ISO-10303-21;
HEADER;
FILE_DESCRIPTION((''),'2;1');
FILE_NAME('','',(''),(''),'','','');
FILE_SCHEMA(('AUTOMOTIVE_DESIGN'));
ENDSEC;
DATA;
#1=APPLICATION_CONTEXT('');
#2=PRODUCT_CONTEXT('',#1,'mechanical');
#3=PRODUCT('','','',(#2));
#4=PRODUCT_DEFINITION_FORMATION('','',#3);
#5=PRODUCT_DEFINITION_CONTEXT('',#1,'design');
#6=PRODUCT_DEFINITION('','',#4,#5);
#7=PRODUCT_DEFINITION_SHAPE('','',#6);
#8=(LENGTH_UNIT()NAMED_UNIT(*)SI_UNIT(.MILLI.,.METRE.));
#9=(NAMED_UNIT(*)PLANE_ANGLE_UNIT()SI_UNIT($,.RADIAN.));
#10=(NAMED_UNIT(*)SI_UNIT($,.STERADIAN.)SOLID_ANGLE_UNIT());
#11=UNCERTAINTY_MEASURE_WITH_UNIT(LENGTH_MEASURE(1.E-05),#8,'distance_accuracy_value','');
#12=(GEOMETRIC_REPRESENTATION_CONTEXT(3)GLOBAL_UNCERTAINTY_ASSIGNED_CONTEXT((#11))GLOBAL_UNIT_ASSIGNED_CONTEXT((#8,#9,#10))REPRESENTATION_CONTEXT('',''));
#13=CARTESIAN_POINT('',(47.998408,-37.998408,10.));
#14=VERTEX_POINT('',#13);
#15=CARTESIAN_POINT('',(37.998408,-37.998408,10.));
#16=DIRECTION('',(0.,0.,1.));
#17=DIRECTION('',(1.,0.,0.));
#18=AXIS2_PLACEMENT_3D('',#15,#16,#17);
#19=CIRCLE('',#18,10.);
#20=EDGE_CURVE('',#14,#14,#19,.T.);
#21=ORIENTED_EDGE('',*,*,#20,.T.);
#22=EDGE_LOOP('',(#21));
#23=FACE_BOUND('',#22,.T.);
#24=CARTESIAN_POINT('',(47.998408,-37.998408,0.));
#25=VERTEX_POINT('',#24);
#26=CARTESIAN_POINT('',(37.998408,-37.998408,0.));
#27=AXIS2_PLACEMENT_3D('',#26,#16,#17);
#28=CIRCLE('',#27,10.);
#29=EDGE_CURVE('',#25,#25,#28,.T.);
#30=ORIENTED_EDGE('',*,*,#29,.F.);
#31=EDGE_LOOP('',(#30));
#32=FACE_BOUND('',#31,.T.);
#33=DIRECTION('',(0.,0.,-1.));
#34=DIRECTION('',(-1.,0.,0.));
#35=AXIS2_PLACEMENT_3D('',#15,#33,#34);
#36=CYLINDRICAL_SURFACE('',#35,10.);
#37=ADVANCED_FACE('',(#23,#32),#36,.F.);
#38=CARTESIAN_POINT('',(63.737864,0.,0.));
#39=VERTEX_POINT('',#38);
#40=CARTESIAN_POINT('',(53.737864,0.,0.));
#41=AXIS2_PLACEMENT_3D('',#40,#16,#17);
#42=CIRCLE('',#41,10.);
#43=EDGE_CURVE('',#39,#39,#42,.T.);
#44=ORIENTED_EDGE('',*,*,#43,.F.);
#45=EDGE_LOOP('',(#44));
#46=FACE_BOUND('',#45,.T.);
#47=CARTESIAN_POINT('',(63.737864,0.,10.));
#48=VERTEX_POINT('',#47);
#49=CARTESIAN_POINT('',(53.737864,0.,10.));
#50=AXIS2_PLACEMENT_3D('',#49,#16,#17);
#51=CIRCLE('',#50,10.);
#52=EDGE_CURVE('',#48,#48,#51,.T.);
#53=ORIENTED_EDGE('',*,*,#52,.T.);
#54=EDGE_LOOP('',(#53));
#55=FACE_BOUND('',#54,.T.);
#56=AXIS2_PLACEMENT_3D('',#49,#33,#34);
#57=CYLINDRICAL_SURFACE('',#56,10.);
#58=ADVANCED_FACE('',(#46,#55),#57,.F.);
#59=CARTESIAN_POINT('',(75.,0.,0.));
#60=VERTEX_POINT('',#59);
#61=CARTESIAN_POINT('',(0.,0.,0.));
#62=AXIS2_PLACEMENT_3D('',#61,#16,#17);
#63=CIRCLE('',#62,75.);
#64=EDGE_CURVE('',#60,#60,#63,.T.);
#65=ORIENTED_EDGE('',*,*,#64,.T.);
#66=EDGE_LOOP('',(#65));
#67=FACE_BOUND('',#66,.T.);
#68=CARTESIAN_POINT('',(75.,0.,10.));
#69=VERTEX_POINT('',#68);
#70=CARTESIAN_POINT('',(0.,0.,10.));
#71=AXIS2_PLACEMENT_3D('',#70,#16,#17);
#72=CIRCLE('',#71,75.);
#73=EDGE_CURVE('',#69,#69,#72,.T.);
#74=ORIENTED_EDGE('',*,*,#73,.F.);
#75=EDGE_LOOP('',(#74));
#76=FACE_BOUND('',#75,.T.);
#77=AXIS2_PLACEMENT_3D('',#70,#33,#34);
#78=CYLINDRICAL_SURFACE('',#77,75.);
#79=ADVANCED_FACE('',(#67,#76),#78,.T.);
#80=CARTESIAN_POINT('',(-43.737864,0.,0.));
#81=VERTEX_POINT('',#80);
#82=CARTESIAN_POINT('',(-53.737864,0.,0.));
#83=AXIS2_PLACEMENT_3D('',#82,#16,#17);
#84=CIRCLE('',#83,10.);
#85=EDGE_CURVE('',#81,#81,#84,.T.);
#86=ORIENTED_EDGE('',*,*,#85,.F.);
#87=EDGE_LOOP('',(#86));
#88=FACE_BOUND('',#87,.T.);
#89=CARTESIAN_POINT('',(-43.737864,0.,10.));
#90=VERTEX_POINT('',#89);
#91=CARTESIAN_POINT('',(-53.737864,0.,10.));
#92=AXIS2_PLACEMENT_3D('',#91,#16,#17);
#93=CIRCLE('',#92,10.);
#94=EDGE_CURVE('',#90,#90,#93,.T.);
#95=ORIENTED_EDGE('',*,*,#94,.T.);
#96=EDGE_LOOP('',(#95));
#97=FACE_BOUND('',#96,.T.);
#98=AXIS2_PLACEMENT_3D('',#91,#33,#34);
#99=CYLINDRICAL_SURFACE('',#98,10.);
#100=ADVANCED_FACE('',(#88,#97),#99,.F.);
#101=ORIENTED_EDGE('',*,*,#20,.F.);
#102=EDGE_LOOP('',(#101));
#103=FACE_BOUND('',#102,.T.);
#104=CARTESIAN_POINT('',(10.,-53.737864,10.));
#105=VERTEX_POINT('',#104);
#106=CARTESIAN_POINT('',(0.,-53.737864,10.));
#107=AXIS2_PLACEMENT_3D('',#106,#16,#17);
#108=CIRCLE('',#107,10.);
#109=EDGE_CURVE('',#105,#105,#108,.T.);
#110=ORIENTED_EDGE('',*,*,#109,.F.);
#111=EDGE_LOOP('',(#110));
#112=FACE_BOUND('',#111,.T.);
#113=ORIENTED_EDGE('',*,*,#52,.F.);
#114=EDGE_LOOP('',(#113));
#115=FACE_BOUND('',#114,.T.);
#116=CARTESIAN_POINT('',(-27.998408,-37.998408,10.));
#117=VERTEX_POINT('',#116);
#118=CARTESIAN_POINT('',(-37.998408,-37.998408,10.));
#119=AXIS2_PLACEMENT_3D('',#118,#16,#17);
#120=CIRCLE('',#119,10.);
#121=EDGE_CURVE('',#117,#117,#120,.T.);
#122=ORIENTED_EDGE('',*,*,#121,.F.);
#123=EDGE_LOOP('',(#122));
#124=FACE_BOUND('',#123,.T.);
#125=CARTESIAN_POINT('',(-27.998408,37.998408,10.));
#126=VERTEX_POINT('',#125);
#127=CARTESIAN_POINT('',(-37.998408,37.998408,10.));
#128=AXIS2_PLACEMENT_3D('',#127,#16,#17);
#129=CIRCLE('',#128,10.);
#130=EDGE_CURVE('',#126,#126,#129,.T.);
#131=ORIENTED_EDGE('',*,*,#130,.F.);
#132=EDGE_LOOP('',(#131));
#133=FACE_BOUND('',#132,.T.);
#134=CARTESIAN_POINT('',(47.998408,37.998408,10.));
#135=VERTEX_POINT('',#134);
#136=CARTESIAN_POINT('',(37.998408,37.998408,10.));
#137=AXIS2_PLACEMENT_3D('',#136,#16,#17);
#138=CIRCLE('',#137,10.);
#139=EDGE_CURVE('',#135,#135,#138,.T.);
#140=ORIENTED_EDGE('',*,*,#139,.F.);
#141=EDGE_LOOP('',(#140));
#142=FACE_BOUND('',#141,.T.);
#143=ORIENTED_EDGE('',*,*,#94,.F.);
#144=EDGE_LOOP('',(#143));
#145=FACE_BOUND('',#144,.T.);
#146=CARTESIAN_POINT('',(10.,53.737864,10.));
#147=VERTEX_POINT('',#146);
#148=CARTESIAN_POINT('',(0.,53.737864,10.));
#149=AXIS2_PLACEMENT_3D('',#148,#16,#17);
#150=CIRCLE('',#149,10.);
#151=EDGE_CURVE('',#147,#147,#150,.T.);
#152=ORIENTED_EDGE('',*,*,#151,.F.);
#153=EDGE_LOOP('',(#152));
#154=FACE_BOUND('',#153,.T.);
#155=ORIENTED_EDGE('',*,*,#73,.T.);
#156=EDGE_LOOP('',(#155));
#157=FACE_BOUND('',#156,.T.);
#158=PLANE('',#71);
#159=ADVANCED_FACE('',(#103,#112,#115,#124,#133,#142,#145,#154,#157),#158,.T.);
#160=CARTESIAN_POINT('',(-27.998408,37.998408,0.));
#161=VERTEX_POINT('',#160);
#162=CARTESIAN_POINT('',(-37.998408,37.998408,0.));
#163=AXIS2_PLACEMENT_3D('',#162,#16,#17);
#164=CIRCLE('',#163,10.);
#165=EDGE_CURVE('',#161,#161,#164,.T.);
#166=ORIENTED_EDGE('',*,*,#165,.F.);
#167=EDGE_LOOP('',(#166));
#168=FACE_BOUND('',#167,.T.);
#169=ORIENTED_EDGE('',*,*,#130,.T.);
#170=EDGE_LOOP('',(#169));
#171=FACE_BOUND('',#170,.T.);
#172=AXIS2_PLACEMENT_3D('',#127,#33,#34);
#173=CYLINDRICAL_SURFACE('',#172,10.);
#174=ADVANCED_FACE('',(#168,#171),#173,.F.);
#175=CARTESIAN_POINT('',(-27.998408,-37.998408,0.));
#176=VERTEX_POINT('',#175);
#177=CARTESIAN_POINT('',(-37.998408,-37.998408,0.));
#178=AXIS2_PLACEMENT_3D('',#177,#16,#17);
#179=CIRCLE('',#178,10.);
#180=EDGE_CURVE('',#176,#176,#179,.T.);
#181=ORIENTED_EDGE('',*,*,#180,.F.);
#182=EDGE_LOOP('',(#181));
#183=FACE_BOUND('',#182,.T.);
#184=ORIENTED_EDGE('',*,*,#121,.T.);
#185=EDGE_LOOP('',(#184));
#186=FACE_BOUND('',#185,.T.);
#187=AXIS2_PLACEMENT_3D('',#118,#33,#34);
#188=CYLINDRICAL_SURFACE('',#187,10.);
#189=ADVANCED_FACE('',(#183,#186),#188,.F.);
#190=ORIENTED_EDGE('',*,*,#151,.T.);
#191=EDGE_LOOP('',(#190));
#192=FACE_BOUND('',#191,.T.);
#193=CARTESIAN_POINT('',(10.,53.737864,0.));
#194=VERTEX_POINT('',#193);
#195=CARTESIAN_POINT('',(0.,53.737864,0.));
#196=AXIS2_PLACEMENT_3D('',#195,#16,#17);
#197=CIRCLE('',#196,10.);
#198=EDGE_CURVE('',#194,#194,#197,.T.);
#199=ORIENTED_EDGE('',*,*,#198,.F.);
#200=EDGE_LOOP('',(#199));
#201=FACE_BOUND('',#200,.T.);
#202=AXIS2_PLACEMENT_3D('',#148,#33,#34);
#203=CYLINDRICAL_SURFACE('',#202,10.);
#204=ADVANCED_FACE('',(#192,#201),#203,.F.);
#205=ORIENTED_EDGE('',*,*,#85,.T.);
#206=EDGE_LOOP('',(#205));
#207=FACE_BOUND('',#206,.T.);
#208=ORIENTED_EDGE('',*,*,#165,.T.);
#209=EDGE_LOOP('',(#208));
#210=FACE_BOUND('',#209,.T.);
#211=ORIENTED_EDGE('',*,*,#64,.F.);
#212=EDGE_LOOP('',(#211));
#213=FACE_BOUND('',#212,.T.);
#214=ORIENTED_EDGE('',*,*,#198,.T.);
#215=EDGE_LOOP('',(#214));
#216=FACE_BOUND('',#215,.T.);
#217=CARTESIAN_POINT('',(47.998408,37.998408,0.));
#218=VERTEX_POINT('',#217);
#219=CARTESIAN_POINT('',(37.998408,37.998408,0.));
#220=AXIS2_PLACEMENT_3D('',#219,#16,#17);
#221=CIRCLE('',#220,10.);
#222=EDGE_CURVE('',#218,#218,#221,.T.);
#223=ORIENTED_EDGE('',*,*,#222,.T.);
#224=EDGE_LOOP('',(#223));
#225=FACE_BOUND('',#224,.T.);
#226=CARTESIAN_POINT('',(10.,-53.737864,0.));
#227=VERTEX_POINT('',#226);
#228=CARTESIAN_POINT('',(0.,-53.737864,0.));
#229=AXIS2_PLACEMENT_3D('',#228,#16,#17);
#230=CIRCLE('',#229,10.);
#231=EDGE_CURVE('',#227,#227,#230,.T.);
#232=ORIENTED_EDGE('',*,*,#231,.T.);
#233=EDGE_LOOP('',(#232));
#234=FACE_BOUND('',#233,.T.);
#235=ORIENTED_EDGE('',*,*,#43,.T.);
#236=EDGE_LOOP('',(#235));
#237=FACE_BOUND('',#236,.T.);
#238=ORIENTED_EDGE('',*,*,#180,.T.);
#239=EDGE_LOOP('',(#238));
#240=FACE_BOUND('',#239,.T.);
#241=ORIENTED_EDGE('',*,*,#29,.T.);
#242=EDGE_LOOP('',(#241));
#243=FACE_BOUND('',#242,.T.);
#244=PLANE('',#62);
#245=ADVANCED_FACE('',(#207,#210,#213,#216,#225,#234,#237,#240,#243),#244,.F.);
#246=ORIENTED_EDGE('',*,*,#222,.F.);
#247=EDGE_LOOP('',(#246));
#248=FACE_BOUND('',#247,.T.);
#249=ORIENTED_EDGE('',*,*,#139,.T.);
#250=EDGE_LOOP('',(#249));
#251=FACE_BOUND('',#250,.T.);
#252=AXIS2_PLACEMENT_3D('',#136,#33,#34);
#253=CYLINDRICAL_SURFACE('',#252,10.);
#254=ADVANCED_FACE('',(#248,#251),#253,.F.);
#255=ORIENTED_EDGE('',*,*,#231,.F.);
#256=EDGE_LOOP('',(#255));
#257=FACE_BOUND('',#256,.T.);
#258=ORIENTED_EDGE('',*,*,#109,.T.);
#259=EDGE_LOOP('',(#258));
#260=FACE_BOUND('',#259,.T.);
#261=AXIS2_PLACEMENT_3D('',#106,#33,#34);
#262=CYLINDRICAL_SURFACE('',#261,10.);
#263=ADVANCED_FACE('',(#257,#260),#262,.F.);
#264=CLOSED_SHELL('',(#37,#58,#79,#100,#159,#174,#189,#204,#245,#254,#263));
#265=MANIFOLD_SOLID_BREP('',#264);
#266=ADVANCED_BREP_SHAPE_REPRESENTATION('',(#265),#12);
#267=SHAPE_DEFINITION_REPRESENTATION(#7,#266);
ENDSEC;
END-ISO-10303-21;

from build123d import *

# Parameters (mm, degrees)
SKETCH1_R           = 75
SKETCH1_R_2         = 10
BOSS_EXTRUDE1_DEPTH = 10


with BuildPart() as part:
    # Sketch1 → Boss-Extrude1 (new body)
    with BuildSketch(Plane.XY):
        Circle(SKETCH1_R)
        with Locations((0, 53.737864078)):
            Circle(SKETCH1_R_2, mode=Mode.SUBTRACT)
        with Locations((37.998408096, 37.998408096)):
            Circle(SKETCH1_R_2, mode=Mode.SUBTRACT)
        with Locations((53.737864078, 0)):
            Circle(SKETCH1_R_2, mode=Mode.SUBTRACT)
        with Locations((37.998408096, -37.998408096)):
            Circle(SKETCH1_R_2, mode=Mode.SUBTRACT)
        with Locations((0, -53.737864078)):
            Circle(SKETCH1_R_2, mode=Mode.SUBTRACT)
        with Locations((-37.998408096, -37.998408096)):
            Circle(SKETCH1_R_2, mode=Mode.SUBTRACT)
        with Locations((-53.737864078, 0)):
            Circle(SKETCH1_R_2, mode=Mode.SUBTRACT)
        with Locations((-37.998408096, 37.998408096)):
            Circle(SKETCH1_R_2, mode=Mode.SUBTRACT)
    extrude(amount=BOSS_EXTRUDE1_DEPTH)


solid = part.part
